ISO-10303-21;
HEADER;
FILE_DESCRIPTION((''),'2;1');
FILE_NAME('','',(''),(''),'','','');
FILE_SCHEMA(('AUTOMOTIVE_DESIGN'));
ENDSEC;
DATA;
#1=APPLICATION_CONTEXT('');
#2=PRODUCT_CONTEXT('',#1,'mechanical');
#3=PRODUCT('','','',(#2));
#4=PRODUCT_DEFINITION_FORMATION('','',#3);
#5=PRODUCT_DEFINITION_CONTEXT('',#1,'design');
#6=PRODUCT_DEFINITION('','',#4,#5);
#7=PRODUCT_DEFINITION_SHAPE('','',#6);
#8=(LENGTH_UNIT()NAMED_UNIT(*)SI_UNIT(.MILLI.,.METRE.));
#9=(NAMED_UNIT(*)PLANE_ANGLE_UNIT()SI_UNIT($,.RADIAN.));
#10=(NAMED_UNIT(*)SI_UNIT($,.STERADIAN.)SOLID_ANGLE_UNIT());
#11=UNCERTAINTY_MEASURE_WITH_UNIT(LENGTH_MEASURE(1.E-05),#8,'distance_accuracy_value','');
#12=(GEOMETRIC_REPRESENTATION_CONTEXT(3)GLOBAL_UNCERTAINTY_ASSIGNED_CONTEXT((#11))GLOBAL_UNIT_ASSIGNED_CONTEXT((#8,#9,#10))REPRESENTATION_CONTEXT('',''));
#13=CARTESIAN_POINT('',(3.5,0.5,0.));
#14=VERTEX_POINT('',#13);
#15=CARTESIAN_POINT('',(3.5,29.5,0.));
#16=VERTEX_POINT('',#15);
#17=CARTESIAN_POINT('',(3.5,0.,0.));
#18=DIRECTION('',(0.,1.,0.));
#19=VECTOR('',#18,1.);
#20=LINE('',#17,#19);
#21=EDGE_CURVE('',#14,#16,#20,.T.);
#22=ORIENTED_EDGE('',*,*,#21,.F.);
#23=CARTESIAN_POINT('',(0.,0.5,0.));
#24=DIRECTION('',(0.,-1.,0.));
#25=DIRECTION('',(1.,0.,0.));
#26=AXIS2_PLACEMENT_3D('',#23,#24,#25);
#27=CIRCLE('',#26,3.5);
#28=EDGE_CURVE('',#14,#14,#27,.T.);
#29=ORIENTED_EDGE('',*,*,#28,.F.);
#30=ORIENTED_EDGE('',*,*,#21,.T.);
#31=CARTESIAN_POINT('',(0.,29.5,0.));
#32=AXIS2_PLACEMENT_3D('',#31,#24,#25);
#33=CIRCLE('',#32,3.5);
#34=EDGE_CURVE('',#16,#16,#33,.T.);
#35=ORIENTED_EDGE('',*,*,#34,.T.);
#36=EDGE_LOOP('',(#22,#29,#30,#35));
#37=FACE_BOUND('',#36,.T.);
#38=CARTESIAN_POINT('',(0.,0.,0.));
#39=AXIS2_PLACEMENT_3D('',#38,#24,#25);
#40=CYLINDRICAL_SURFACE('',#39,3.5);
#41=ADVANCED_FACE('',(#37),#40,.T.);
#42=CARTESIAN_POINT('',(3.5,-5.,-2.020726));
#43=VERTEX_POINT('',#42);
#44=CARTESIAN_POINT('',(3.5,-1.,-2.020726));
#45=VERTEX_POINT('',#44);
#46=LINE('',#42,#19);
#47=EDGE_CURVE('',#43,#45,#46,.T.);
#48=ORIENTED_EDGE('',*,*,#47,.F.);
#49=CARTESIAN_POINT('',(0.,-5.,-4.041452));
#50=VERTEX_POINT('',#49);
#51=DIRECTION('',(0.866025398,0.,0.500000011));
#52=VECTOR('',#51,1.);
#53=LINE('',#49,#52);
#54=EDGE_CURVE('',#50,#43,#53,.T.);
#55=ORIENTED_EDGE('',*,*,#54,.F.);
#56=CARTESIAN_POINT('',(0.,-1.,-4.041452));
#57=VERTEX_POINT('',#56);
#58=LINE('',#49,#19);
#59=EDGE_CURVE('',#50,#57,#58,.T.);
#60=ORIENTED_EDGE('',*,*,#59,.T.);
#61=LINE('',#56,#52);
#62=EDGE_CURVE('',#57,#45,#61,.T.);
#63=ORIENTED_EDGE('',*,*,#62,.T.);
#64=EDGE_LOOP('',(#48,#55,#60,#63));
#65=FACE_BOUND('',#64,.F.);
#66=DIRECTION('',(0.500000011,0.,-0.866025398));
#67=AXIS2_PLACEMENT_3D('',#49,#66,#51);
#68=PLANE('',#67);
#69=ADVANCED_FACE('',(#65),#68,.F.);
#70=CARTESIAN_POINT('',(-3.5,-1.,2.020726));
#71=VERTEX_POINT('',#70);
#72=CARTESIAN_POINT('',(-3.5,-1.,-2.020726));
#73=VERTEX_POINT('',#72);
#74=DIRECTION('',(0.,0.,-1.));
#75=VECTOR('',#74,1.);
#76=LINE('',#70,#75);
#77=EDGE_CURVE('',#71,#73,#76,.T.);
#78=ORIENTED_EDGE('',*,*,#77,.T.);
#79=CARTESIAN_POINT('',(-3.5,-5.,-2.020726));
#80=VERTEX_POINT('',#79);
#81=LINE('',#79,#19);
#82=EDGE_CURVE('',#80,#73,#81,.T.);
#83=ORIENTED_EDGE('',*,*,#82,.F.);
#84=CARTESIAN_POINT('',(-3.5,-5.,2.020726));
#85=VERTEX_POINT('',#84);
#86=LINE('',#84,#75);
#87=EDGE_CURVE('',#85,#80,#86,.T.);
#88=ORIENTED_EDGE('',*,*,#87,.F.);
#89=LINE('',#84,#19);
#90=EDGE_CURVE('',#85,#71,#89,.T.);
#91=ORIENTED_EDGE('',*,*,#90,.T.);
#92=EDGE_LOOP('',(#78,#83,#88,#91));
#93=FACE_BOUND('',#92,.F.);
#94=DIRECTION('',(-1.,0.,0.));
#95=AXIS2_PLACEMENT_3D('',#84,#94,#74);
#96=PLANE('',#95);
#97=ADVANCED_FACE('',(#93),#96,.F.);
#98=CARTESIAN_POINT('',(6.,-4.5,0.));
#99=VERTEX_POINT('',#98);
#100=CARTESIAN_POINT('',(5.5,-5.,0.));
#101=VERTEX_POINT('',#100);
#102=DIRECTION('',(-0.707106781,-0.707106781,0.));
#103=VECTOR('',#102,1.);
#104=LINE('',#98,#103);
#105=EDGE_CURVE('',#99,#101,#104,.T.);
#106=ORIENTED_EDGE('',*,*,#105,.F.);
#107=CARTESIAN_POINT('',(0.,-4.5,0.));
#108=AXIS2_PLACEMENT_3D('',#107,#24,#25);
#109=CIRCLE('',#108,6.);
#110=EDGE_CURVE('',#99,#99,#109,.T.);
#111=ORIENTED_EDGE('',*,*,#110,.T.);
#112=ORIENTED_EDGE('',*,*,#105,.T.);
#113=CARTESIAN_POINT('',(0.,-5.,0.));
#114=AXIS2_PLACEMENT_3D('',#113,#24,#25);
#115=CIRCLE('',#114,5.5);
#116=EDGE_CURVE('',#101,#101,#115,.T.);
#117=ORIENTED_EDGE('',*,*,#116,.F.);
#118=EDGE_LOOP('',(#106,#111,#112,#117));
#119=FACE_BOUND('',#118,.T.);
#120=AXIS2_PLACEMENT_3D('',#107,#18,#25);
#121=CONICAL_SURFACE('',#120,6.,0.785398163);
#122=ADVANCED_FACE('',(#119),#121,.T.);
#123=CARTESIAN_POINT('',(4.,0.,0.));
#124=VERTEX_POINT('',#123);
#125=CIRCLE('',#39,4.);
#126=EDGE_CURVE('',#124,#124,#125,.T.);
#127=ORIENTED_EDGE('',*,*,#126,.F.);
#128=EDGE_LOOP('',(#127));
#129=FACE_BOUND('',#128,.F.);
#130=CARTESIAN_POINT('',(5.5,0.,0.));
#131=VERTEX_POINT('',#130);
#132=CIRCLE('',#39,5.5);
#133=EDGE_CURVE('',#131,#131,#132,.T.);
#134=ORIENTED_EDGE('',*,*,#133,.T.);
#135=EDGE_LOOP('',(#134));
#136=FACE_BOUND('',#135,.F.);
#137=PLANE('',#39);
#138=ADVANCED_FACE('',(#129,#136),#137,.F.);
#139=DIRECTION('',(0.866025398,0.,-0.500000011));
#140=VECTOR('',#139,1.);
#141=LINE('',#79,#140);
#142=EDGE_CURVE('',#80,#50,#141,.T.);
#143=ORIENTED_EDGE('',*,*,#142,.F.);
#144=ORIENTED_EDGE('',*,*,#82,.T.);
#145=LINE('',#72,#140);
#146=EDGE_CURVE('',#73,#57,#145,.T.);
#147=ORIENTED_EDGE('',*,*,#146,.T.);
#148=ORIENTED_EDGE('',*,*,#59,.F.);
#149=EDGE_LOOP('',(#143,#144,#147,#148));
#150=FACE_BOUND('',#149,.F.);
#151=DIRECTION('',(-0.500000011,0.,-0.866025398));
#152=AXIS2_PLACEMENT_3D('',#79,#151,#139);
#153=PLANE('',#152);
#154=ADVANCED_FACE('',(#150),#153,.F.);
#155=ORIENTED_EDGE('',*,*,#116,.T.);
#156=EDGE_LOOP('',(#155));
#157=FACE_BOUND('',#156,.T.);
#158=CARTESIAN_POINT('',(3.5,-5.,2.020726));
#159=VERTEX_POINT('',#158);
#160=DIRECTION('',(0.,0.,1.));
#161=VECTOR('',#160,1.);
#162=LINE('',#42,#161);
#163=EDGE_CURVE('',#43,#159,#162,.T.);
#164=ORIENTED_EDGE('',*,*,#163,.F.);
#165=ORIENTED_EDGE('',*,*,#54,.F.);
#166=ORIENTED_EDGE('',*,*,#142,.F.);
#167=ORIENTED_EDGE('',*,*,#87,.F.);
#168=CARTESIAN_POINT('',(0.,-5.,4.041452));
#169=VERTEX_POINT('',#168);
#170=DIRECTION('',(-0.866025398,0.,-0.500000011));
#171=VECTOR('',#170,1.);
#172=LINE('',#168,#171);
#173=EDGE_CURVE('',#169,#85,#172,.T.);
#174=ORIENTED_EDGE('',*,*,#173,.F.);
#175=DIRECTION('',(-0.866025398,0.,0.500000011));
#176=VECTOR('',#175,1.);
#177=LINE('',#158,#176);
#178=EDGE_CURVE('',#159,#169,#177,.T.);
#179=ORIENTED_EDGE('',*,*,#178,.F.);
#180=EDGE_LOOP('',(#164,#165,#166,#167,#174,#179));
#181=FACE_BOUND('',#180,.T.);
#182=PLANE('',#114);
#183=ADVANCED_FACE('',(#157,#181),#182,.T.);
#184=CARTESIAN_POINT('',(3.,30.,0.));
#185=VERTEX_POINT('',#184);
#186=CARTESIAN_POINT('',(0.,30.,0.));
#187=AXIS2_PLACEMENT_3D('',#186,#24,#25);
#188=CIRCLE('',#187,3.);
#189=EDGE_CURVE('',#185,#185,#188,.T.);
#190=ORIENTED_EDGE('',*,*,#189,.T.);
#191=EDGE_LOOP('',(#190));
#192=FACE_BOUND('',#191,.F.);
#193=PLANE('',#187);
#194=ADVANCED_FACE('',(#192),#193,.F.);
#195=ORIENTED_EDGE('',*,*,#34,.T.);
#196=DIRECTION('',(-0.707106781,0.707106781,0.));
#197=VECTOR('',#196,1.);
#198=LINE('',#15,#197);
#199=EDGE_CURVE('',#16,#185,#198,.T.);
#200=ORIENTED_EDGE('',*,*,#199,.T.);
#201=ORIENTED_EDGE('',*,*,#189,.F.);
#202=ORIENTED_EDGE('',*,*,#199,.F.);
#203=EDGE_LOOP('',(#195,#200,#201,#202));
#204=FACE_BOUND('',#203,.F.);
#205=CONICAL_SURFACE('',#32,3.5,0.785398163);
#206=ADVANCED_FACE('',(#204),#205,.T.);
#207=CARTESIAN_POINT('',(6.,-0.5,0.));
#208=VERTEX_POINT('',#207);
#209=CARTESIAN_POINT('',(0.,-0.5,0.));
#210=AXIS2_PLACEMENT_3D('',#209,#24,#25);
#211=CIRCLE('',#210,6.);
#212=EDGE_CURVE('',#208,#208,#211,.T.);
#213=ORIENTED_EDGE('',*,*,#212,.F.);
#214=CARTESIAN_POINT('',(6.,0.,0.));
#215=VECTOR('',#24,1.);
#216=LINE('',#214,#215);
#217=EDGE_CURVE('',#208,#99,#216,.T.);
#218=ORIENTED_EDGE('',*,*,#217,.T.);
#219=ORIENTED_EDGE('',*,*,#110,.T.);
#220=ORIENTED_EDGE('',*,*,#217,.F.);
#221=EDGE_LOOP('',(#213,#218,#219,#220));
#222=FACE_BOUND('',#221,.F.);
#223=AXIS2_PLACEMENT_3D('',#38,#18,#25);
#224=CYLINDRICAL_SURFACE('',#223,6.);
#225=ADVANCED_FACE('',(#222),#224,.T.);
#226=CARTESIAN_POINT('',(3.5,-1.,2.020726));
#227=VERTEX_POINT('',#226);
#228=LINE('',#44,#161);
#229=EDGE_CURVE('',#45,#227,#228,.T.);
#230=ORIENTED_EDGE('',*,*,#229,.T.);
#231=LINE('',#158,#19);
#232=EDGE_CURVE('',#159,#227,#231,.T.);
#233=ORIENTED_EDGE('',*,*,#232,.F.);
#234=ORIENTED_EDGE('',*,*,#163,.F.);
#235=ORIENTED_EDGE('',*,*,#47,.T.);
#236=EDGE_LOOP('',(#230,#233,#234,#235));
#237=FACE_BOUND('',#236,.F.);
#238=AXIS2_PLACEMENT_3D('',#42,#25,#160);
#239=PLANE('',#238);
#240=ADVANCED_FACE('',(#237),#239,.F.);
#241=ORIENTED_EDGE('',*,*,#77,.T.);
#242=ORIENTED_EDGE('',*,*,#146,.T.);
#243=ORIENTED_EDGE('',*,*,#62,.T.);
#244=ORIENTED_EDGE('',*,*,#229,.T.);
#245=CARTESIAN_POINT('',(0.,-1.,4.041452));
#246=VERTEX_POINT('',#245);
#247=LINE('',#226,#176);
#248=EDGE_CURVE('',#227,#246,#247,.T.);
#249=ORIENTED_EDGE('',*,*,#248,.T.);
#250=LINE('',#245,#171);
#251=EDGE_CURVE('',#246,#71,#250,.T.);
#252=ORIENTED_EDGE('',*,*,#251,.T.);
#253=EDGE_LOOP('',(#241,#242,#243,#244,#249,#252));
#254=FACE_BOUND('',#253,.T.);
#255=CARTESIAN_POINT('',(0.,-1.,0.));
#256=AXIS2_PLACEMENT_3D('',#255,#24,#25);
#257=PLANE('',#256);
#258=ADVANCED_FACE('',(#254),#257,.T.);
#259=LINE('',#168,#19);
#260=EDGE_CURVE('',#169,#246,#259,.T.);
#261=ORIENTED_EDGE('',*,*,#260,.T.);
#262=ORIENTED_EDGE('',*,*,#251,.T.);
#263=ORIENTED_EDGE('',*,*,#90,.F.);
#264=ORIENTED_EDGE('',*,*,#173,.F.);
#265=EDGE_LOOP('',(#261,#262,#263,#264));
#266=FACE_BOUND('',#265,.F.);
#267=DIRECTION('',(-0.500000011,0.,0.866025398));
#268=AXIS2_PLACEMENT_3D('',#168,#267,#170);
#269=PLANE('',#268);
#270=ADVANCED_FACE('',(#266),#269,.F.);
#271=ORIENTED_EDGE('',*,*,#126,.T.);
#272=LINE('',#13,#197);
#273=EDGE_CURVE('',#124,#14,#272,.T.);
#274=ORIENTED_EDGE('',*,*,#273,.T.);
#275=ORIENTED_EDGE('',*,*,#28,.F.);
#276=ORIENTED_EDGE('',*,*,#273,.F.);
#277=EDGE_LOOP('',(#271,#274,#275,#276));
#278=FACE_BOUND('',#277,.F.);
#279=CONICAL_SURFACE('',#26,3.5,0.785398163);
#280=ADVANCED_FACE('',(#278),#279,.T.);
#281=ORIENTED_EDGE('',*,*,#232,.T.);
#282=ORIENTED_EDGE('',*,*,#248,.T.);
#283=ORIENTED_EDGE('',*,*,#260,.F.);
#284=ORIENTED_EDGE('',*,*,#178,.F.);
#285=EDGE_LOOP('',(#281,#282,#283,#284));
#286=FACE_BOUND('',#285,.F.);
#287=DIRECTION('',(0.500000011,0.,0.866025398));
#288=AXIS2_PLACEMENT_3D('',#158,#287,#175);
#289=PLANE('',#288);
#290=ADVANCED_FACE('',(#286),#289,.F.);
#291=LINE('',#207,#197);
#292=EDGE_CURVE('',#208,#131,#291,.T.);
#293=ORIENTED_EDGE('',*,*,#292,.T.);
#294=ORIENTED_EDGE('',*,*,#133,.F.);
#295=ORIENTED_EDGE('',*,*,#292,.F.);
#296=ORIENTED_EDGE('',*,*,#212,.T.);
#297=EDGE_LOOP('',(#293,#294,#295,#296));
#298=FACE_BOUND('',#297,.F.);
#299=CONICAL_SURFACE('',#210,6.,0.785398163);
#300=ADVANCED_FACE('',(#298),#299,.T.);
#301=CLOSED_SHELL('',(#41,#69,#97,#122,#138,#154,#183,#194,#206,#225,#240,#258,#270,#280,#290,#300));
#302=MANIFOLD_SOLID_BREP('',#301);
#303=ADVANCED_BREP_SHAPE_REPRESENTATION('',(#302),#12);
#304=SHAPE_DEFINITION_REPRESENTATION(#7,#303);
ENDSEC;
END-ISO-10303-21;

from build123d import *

# Parameters (mm, degrees)
F0_R     = 3.5
F1_DEPTH = 30
F2_R     = 6
F3_DEPTH = 5
F4_SIZE  = 0.5
F6_DEPTH = 4


with BuildPart() as f1:
    # F0 (on Front) → F1 (new body)
    with BuildSketch(Plane.XZ):
        Circle(F0_R)
    extrude(amount=-F1_DEPTH)

    # F2 (on face) → F3 (join)
    with BuildSketch(Plane.XZ):
        Circle(F2_R)
    extrude(amount=F3_DEPTH)

    # F4
    f4_edges = [f1.edges().sort_by_distance(p)[0] for p in [
        (-6, -5, 0),
        (-6, 0, 0),
        (-3.5, 30, 0),
        (-3.5, 0, 0),
    ]]
    chamfer(f4_edges, length=F4_SIZE)

    # F5 (on face) → F6 (cut)
    with BuildSketch(Plane.XZ.offset(5)):
        Polygon((-3.5, 2.020726), (-3.5, -2.020726), (0, -4.041452), (3.5, -2.020726), (3.5, 2.020726), (0, 4.041452), align=None)
    extrude(amount=-F6_DEPTH, mode=Mode.SUBTRACT)


solid = f1.part
